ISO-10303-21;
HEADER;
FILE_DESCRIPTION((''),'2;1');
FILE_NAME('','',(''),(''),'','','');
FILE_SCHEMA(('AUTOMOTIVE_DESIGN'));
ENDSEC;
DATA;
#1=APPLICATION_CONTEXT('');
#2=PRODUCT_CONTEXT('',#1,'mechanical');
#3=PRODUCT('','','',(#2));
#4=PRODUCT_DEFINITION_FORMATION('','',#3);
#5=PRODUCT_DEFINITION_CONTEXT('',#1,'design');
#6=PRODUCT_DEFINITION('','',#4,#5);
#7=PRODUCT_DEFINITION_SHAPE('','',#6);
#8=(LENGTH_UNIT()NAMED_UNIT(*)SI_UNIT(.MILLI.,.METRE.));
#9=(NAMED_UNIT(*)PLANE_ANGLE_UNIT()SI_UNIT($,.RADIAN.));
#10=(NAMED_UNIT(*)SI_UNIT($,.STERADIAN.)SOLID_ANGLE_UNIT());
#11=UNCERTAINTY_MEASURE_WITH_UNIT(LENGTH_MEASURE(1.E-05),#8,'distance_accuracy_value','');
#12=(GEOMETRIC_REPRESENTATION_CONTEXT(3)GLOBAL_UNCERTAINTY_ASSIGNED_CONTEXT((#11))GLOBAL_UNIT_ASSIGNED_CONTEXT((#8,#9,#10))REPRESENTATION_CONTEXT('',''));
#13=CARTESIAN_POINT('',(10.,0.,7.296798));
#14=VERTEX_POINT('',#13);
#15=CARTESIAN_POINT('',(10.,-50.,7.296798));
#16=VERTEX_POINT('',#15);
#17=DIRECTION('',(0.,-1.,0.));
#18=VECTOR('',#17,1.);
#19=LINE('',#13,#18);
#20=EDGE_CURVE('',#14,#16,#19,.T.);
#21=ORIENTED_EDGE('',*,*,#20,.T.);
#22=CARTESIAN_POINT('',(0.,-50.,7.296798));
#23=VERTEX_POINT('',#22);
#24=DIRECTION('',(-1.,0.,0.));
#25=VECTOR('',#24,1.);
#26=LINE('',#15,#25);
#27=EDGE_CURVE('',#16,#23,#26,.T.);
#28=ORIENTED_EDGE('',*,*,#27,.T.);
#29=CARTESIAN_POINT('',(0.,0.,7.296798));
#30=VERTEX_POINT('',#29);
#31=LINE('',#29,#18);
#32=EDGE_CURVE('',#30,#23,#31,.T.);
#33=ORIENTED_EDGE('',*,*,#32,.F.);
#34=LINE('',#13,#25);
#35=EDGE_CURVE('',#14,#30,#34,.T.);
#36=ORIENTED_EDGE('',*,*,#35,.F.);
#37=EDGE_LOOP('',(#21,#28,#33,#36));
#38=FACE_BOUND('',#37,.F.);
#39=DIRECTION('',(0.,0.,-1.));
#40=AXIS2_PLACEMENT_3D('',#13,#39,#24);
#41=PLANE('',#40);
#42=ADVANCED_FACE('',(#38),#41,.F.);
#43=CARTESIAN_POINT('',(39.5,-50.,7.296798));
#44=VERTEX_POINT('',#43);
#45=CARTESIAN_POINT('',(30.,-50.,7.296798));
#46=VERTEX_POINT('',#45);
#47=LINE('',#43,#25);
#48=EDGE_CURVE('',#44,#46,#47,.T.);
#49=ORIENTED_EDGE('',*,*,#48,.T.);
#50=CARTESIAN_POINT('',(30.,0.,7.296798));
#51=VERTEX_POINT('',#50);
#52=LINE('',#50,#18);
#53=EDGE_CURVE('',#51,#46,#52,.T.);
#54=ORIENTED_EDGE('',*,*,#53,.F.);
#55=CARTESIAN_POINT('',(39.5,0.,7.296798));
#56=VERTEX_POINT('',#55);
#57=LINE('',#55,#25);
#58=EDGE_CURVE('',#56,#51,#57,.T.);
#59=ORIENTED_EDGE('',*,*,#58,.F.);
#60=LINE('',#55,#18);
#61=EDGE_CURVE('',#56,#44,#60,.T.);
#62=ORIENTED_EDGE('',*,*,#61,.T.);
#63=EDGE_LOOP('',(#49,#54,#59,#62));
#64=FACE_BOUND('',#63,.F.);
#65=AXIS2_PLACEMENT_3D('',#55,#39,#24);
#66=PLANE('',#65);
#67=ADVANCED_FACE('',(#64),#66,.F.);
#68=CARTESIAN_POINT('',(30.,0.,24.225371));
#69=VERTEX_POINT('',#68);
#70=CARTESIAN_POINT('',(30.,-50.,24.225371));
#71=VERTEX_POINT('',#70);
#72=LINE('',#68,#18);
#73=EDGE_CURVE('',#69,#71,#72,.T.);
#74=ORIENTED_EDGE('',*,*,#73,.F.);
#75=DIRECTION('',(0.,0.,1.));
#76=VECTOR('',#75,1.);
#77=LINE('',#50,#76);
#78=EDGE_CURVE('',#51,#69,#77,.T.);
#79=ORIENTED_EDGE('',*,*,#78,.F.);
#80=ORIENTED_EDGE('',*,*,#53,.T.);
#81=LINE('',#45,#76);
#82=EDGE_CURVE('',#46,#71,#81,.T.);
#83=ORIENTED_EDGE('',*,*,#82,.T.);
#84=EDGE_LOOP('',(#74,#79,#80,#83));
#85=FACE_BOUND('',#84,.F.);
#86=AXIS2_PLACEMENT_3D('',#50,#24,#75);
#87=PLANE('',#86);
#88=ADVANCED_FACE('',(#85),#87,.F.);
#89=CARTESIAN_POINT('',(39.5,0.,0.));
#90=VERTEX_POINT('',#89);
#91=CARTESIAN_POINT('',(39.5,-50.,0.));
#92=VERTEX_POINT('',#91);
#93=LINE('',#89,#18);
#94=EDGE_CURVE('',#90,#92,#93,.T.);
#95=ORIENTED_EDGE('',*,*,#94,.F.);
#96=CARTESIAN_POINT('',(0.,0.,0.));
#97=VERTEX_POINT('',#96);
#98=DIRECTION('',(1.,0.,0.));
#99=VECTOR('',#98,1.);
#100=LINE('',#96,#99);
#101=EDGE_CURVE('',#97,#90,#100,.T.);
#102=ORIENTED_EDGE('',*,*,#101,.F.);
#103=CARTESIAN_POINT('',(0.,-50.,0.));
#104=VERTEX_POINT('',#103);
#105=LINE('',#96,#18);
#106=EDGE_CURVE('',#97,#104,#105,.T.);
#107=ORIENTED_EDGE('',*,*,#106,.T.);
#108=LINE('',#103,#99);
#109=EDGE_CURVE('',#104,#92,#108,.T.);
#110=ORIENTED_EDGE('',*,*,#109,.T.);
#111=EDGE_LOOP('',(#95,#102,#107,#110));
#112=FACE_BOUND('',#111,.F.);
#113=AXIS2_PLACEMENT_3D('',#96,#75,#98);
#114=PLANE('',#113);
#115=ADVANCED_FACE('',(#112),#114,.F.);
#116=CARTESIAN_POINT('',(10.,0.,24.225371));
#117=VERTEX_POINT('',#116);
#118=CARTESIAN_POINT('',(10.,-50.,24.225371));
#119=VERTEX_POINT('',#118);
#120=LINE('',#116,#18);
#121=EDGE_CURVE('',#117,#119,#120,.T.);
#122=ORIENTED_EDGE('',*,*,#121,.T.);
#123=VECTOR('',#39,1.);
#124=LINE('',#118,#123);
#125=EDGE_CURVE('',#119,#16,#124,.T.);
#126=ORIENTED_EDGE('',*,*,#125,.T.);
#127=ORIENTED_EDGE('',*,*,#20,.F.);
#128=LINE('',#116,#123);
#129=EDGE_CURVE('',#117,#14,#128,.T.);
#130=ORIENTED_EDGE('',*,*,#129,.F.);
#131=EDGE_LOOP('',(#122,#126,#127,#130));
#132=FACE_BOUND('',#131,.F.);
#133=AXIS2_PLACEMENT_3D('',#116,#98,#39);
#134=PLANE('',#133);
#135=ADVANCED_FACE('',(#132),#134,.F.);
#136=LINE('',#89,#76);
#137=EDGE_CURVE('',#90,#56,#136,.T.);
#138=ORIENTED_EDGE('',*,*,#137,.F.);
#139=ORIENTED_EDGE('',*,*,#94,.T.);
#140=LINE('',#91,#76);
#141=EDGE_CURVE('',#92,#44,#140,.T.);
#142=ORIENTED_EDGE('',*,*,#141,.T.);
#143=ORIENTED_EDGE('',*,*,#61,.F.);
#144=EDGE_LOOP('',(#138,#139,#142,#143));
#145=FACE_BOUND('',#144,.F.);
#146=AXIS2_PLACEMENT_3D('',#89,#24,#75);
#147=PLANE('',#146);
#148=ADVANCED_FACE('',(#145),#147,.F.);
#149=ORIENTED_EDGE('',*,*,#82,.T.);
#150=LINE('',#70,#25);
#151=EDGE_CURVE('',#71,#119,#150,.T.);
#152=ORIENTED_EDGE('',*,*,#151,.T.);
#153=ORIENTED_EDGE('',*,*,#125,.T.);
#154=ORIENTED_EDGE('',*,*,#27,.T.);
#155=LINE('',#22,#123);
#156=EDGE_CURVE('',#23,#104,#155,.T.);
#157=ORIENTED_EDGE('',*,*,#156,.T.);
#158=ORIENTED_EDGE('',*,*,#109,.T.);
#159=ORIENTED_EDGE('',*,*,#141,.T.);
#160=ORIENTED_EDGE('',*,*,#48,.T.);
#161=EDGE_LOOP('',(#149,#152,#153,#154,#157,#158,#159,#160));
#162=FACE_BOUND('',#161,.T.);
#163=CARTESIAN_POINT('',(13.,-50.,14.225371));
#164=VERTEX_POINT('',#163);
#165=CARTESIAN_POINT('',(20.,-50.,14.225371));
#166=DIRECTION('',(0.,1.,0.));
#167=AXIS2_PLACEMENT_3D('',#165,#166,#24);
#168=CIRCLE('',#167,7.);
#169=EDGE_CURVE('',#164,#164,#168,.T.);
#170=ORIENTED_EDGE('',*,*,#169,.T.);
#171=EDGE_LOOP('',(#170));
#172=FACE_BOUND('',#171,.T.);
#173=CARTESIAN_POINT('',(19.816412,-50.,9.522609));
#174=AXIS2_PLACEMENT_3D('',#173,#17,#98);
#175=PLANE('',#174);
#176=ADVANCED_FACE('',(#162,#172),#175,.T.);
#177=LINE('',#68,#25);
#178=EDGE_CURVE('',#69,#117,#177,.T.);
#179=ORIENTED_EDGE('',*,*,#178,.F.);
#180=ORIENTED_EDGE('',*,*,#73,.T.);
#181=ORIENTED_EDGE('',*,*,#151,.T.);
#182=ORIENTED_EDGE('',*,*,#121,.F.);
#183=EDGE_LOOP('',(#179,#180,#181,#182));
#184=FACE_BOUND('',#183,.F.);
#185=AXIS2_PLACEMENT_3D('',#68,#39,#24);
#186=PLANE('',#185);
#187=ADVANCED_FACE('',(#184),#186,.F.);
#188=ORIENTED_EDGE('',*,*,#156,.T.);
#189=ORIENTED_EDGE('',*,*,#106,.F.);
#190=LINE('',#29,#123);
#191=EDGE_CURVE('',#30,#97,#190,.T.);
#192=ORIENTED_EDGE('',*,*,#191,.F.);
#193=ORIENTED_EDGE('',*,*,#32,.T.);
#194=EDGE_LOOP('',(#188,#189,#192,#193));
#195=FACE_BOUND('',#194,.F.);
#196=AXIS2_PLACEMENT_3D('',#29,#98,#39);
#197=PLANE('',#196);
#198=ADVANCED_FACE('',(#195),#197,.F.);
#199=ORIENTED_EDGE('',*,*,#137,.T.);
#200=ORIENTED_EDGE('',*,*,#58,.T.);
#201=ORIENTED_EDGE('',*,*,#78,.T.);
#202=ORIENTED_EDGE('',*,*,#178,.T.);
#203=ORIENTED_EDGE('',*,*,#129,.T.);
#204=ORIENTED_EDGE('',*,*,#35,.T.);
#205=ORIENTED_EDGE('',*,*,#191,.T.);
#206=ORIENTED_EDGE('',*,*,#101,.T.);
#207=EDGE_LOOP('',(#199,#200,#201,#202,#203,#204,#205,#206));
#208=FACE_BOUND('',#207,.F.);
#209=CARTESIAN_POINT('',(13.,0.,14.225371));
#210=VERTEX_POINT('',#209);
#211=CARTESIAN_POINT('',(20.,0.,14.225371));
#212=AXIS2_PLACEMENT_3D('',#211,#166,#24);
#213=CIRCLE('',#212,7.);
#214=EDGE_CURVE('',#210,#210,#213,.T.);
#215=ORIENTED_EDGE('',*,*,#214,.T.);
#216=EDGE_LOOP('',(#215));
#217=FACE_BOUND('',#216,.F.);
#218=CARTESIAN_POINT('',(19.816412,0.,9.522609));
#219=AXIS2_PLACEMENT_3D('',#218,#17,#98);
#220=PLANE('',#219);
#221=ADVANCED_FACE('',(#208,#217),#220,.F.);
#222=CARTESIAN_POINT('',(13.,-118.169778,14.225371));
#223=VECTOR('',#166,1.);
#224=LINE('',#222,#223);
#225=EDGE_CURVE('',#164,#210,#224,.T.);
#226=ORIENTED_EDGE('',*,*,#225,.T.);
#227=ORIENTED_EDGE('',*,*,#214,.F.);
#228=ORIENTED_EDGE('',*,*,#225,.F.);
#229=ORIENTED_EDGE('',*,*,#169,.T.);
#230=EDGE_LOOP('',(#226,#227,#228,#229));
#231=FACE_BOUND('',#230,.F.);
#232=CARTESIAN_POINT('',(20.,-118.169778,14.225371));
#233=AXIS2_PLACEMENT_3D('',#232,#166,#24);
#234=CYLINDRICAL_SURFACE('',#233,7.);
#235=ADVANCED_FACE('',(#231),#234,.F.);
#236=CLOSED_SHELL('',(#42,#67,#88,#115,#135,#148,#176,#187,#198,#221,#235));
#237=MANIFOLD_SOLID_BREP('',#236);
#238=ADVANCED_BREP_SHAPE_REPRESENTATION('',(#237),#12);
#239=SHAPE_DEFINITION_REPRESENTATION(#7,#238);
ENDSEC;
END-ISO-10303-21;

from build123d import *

# Parameters (mm, degrees)
F1_DEPTH = 50
F3_D     = 14


with BuildPart() as f1:
    # F0 (on Front) → F1 (new body)
    with BuildSketch(Plane.XZ):
        Polygon((0, 7.2967982822), (0, 0), (39.5, 0), (39.5, 7.2967982822), (30, 7.2967982822), (30, 24.2253708326), (10, 24.2253708326), (10, 7.2967982822), align=None)
    extrude(amount=F1_DEPTH)

    # F3 (through all)
    with Locations(Plane.XZ.offset(50)):
        with Locations((20, 14.2253708326)):
            Hole(F3_D / 2)


solid = f1.part
